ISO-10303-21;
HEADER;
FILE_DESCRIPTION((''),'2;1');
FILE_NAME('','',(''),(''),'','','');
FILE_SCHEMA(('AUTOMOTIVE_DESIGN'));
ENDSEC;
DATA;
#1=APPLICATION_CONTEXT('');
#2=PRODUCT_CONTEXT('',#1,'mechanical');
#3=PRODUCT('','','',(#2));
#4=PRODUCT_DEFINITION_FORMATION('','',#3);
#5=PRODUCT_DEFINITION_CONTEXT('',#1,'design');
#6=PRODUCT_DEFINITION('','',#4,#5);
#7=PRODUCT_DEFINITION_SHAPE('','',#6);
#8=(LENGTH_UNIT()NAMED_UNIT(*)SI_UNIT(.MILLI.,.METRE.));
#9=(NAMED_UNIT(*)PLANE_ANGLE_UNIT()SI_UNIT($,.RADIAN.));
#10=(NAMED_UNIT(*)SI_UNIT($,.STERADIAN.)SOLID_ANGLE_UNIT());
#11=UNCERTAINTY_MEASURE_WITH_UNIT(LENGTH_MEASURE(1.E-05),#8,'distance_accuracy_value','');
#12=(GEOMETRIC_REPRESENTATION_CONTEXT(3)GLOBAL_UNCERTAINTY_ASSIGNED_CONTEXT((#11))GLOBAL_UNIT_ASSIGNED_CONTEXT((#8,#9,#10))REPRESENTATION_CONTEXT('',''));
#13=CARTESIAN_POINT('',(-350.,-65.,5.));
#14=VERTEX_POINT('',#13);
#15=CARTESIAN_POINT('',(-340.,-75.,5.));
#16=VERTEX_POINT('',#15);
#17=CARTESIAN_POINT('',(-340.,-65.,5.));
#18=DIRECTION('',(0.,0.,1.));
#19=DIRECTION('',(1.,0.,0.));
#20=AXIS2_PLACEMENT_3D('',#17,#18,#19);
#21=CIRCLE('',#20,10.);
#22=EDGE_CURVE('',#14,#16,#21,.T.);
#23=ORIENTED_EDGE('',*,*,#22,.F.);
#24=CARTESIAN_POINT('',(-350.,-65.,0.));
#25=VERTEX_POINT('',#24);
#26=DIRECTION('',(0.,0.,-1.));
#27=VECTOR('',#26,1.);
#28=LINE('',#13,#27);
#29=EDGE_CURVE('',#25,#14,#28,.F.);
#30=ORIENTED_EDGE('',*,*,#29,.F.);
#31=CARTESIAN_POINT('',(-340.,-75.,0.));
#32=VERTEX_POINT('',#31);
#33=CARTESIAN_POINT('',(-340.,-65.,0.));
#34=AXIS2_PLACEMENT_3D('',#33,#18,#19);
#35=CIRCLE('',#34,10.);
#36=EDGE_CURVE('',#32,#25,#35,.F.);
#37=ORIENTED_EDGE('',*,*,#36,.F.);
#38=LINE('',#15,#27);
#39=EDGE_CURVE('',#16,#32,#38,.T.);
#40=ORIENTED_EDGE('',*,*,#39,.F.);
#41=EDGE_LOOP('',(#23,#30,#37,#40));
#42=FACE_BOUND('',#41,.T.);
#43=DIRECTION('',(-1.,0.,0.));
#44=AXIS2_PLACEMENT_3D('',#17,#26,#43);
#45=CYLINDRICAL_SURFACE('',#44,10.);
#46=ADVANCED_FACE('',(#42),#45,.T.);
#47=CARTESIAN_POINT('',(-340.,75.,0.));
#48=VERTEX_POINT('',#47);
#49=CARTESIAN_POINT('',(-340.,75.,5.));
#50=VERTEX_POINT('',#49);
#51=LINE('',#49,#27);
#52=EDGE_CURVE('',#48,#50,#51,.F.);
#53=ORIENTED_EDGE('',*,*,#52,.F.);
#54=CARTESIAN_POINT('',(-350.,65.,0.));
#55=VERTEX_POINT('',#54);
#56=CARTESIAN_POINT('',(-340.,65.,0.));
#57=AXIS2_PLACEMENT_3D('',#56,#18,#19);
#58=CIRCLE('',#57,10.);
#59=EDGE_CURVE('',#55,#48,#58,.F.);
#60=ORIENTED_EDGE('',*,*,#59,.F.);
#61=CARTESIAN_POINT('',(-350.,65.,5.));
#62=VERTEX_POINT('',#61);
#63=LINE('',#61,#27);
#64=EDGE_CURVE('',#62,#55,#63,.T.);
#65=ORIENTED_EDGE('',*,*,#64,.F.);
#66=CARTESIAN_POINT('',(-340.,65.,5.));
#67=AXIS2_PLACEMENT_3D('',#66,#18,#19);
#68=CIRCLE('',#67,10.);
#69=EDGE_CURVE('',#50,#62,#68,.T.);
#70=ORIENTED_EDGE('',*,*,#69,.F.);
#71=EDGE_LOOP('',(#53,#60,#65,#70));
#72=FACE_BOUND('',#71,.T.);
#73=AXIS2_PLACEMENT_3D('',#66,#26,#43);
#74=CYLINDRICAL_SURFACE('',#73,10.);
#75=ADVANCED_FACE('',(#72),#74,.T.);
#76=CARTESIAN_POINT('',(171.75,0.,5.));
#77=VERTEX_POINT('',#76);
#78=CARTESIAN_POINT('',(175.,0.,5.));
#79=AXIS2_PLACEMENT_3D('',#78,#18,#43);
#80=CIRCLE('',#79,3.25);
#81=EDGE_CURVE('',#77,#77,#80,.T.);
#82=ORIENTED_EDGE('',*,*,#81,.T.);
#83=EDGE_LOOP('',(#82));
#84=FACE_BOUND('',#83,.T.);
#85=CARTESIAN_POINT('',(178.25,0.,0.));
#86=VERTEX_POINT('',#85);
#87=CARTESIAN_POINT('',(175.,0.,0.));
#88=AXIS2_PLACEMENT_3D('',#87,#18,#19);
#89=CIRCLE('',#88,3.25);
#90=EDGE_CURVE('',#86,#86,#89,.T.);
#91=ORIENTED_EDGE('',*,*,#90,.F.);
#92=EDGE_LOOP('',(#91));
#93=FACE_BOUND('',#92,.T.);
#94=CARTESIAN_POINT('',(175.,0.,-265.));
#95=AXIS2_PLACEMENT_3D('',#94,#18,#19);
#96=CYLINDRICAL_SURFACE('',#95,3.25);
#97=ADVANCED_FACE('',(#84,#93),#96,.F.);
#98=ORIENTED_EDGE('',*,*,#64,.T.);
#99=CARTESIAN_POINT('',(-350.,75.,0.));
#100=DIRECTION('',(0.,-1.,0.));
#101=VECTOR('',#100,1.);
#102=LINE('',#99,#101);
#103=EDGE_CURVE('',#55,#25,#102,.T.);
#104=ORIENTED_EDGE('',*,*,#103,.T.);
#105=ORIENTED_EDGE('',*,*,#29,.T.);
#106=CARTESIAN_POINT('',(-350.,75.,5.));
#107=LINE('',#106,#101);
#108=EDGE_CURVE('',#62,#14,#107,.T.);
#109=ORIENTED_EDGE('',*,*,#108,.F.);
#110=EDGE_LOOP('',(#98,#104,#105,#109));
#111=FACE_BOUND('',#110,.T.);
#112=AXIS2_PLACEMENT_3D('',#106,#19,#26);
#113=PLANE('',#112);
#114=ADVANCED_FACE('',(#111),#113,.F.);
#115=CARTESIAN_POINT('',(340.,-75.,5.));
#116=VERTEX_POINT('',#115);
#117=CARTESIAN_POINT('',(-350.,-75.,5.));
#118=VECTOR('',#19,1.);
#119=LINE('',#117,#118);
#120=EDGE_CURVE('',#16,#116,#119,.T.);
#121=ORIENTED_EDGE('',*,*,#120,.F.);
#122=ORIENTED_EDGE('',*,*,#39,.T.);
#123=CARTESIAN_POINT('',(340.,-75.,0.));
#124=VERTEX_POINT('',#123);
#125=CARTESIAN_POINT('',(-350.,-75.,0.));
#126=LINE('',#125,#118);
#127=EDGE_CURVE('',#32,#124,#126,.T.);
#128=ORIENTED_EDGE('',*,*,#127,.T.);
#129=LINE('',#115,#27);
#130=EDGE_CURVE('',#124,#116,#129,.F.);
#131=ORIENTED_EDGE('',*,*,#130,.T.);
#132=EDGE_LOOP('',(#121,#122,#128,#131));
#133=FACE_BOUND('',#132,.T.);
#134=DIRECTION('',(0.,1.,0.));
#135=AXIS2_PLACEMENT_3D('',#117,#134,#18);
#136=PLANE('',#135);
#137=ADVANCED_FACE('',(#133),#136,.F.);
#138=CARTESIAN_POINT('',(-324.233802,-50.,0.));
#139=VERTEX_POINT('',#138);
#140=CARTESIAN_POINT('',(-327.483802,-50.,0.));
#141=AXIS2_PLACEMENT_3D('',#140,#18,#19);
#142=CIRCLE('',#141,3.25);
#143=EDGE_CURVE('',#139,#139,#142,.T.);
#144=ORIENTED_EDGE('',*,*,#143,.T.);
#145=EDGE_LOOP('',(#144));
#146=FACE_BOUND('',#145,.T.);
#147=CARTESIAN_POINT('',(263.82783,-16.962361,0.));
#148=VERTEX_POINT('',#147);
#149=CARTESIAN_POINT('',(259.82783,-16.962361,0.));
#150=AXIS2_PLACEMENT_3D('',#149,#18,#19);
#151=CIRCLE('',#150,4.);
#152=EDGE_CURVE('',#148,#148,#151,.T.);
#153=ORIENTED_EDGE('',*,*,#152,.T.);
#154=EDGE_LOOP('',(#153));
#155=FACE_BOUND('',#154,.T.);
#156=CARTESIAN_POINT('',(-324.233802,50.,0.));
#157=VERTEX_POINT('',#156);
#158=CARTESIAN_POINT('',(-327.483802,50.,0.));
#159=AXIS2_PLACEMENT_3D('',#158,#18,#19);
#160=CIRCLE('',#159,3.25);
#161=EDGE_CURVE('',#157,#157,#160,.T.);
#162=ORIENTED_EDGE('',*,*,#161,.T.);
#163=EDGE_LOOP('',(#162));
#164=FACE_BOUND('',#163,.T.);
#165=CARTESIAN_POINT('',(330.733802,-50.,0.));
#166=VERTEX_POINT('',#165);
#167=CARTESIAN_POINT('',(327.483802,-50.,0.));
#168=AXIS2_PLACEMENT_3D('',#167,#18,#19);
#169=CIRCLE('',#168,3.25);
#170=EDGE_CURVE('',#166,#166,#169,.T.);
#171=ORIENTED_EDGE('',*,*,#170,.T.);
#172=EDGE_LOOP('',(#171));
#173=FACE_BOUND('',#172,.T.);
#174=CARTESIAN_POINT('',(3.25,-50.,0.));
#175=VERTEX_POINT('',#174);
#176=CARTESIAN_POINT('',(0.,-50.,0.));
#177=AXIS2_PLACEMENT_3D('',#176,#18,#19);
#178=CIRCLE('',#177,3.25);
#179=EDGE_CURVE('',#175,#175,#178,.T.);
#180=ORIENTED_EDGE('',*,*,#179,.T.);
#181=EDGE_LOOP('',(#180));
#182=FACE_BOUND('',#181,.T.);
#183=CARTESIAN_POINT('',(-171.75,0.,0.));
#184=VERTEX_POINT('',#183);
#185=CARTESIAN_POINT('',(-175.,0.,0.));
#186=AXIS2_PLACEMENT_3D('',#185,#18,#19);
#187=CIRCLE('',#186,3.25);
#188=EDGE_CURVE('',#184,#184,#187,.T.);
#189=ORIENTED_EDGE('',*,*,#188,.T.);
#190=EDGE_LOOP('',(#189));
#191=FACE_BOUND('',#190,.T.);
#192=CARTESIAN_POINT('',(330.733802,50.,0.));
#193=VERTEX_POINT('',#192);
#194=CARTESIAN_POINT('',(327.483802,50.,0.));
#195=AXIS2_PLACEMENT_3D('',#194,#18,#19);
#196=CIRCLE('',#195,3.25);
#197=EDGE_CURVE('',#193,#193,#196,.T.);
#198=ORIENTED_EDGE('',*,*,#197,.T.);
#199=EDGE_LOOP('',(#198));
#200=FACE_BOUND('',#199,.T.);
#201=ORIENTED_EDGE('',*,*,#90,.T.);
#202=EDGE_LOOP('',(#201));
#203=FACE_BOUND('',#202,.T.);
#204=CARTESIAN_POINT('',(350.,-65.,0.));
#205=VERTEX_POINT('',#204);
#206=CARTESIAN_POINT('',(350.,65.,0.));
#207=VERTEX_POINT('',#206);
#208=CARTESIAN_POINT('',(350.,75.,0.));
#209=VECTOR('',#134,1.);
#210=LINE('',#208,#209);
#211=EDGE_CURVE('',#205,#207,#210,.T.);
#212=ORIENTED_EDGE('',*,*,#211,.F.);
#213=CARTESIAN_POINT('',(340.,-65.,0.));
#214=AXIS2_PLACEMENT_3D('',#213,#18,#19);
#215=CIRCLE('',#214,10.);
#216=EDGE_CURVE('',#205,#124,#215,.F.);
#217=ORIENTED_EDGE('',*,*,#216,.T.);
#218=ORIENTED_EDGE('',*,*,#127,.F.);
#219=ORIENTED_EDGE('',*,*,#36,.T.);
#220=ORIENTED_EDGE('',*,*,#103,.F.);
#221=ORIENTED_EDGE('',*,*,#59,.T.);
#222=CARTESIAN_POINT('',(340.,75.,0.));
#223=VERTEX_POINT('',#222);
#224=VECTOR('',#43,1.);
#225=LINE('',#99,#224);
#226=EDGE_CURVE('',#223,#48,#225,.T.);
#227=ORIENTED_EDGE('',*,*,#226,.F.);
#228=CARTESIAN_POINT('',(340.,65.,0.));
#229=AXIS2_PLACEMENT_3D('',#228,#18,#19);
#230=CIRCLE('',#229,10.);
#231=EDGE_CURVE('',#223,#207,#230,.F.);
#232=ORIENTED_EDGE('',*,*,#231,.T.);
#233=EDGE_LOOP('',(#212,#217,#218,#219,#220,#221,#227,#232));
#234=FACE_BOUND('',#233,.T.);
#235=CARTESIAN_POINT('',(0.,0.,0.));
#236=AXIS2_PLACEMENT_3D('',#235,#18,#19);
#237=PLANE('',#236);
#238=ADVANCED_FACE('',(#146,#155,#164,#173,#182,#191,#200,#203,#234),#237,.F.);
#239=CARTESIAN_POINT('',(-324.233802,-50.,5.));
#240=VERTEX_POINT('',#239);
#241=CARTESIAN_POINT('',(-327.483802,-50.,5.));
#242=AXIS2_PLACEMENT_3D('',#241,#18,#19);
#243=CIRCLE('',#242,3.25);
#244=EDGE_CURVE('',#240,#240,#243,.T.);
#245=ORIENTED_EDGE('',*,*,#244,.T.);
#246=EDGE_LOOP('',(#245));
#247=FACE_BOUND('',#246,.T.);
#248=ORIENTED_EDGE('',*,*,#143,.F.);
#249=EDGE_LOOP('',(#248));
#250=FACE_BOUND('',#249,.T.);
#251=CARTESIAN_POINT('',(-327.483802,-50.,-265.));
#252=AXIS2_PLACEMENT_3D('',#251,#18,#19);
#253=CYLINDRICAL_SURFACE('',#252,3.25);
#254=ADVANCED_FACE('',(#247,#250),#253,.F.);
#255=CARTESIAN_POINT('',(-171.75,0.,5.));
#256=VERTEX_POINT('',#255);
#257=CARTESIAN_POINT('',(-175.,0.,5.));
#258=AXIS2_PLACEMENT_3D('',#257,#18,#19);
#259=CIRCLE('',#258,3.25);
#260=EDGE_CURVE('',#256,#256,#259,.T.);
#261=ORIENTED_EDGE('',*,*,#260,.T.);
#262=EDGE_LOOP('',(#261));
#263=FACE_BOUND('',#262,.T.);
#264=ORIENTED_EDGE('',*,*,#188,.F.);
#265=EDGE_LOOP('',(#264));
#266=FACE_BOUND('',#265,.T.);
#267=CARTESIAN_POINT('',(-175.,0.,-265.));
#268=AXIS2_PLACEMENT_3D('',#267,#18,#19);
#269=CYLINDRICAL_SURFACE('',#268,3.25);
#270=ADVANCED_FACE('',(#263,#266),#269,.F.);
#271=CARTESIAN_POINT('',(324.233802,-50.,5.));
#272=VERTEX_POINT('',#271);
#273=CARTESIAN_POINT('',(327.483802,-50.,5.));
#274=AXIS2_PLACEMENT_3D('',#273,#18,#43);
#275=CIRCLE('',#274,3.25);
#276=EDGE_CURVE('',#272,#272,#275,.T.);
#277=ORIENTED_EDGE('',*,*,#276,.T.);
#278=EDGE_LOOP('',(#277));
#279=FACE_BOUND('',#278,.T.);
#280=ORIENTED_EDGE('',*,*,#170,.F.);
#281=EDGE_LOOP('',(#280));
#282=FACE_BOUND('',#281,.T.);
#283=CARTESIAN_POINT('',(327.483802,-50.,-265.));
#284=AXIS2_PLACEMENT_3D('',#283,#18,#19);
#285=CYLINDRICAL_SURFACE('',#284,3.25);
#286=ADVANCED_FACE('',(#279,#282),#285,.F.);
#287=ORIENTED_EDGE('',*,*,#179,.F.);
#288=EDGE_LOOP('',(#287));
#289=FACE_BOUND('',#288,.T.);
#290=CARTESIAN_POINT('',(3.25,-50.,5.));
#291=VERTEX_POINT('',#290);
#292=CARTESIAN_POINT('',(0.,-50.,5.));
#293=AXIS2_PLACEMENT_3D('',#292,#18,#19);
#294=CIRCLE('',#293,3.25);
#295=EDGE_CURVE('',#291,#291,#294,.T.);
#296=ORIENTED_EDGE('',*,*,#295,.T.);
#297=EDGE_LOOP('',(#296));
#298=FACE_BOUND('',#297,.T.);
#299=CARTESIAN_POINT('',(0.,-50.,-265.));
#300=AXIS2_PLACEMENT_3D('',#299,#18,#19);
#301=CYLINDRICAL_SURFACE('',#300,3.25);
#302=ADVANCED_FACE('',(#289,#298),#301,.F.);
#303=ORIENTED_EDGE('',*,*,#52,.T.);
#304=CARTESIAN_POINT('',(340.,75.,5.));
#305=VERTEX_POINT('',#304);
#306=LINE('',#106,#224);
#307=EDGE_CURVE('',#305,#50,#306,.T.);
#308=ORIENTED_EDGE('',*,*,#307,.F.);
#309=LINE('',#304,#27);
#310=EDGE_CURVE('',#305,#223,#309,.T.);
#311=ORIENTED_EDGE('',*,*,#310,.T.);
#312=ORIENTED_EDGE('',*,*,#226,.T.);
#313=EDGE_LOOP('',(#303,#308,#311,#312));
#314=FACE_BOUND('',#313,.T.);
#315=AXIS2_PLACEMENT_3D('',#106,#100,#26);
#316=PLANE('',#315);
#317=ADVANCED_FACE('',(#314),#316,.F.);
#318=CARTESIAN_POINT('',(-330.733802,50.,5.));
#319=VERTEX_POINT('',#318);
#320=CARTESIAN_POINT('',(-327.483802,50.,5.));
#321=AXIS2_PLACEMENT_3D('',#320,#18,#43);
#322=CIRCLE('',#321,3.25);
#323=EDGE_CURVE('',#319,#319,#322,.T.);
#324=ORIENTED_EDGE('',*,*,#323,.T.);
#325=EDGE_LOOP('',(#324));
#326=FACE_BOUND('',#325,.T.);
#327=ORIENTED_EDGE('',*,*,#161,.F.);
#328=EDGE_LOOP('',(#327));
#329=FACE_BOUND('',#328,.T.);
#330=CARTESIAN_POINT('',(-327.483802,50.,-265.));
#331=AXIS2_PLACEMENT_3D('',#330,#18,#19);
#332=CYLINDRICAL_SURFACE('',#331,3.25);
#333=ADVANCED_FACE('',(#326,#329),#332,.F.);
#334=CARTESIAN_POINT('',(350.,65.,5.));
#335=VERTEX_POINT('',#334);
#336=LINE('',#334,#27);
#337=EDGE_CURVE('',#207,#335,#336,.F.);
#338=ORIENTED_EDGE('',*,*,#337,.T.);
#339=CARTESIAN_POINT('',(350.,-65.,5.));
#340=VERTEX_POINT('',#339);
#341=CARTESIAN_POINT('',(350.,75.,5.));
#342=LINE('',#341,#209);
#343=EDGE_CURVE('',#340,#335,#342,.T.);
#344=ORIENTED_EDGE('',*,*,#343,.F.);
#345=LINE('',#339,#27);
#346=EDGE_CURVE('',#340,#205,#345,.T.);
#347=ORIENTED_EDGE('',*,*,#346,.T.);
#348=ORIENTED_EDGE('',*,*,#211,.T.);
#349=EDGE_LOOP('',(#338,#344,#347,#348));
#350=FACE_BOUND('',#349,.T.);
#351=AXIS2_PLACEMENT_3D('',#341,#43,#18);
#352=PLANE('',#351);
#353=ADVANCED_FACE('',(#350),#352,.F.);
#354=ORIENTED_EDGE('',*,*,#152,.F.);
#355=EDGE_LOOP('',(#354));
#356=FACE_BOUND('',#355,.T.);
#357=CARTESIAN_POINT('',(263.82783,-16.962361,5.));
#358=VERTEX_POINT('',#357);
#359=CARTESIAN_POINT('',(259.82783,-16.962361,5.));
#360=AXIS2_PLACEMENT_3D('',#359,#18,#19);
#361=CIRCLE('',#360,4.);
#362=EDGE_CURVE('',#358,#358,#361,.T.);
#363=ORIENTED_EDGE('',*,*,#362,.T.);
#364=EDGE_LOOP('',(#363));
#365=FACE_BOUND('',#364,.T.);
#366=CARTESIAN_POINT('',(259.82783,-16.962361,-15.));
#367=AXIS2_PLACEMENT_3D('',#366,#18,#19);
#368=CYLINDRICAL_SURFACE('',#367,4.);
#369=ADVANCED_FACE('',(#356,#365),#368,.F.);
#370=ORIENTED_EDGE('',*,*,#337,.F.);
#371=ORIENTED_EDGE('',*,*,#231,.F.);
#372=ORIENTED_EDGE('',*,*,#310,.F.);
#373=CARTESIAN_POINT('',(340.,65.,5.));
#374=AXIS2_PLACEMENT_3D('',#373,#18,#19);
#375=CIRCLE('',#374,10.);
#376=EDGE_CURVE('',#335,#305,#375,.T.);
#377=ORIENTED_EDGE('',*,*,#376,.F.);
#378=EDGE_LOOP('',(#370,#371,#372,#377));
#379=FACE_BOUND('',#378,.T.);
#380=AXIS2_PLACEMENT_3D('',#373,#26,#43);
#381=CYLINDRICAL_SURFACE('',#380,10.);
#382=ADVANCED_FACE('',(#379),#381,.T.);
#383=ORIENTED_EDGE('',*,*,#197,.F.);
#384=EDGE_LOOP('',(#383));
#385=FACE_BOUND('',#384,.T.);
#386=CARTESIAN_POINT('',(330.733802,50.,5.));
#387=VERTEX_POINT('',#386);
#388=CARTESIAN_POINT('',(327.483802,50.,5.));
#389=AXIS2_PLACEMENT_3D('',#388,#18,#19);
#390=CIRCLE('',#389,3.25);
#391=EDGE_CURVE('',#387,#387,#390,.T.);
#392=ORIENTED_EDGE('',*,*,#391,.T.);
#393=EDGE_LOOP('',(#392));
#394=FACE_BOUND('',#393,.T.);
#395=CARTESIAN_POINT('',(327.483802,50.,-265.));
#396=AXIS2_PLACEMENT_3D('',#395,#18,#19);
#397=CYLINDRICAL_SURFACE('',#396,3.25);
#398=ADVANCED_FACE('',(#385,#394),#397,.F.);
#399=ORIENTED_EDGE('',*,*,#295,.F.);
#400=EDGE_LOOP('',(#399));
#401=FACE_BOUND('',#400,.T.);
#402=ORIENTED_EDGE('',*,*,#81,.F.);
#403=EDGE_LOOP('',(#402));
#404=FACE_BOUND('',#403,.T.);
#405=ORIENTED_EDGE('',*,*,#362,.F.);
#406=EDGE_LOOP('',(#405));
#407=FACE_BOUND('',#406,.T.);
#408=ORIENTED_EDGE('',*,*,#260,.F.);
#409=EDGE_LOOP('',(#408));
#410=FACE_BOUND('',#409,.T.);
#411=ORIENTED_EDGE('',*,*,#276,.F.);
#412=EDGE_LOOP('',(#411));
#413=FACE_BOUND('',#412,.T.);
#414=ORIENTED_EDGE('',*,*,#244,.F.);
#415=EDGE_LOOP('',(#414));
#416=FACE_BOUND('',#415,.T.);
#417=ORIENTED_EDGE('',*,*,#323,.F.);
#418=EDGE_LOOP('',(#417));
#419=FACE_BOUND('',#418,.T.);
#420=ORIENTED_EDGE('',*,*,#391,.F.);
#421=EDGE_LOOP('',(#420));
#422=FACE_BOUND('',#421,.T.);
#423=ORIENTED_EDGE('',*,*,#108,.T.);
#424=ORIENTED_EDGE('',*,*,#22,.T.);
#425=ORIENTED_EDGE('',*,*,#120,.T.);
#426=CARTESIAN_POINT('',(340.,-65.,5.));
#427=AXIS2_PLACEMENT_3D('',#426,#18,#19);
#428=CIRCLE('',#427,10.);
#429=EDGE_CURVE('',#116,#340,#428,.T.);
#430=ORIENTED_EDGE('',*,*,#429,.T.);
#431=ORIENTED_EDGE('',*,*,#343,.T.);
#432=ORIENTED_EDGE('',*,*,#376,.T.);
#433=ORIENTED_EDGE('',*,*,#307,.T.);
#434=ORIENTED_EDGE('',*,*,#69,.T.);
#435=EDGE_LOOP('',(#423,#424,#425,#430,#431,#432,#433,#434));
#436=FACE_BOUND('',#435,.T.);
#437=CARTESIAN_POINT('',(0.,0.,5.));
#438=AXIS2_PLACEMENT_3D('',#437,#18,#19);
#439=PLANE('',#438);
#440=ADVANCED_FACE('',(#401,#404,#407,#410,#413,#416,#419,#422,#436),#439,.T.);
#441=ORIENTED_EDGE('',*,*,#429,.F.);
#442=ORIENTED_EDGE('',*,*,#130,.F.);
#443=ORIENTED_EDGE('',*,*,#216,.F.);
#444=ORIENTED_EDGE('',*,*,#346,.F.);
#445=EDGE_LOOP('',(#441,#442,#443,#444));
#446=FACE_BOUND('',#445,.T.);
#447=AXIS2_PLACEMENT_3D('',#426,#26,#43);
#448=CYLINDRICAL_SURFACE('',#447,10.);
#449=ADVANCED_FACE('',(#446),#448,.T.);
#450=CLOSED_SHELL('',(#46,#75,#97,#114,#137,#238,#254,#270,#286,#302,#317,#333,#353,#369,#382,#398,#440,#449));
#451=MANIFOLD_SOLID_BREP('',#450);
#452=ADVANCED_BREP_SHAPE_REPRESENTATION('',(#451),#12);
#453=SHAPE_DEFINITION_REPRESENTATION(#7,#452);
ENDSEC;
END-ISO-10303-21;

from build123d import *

# Parameters (mm, degrees)
SKETCH1_W           = 700
SKETCH1_H           = 150
BOSS_EXTRUDE1_DEPTH = 5
FILLET1_R           = 10
SKETCH3_R           = 3.25
CUT_EXTRUDE1_DEPTH  = 270
SKETCH4_R           = 4
CUT_EXTRUDE2_DEPTH  = 10
SKETCH5_R           = 4
BOSS_EXTRUDE2_DEPTH = 5
SKETCH6_R           = 4
CUT_EXTRUDE3_DEPTH  = 20


with BuildPart() as part:
    # Sketch1 → Boss-Extrude1 (new body)
    with BuildSketch(Plane.XY):
        Rectangle(SKETCH1_W, SKETCH1_H)
    extrude(amount=BOSS_EXTRUDE1_DEPTH)

    # Fillet1
    fillet1_edges = [part.edges().sort_by_distance(p)[0] for p in [
        (350, -75, 2.5),
        (-350, -75, 2.5),
        (-350, 75, 2.5),
        (350, 75, 2.5),
    ]]
    fillet(fillet1_edges, radius=FILLET1_R)

    # Sketch3 → Cut-Extrude1 (cut)
    with BuildSketch(Plane.XY.offset(5)):
        with Locations((0, -50)):
            Circle(SKETCH3_R)
        with Locations((-327.483802204, -50)):
            Circle(SKETCH3_R)
        with Locations((327.483802204, -50)):
            Circle(SKETCH3_R)
        with Locations((-327.483802204, 50)):
            Circle(SKETCH3_R)
        with Locations((-175, 0)):
            Circle(SKETCH3_R)
        with Locations((175, 0)):
            Circle(SKETCH3_R)
        with Locations((327.483802204, 50)):
            Circle(SKETCH3_R)
    extrude(amount=-CUT_EXTRUDE1_DEPTH, mode=Mode.SUBTRACT)

    # Sketch4 → Cut-Extrude2 (cut)
    with BuildSketch(Plane.XY.offset(5)):
        with Locations((245.65923276, -46.5)):
            Circle(SKETCH4_R)
    extrude(amount=-CUT_EXTRUDE2_DEPTH, mode=Mode.SUBTRACT)

    # Sketch5 → Boss-Extrude2 (add)
    with BuildSketch(Plane.XY.offset(5)):
        with Locations((245.65923276, -46.5)):
            Circle(SKETCH5_R)
    extrude(amount=-BOSS_EXTRUDE2_DEPTH)

    # Sketch6 → Cut-Extrude3 (cut)
    with BuildSketch(Plane.XY.offset(5)):
        with Locations((259.827830127, -16.962361372)):
            Circle(SKETCH6_R)
    extrude(amount=-CUT_EXTRUDE3_DEPTH, mode=Mode.SUBTRACT)


solid = part.part
